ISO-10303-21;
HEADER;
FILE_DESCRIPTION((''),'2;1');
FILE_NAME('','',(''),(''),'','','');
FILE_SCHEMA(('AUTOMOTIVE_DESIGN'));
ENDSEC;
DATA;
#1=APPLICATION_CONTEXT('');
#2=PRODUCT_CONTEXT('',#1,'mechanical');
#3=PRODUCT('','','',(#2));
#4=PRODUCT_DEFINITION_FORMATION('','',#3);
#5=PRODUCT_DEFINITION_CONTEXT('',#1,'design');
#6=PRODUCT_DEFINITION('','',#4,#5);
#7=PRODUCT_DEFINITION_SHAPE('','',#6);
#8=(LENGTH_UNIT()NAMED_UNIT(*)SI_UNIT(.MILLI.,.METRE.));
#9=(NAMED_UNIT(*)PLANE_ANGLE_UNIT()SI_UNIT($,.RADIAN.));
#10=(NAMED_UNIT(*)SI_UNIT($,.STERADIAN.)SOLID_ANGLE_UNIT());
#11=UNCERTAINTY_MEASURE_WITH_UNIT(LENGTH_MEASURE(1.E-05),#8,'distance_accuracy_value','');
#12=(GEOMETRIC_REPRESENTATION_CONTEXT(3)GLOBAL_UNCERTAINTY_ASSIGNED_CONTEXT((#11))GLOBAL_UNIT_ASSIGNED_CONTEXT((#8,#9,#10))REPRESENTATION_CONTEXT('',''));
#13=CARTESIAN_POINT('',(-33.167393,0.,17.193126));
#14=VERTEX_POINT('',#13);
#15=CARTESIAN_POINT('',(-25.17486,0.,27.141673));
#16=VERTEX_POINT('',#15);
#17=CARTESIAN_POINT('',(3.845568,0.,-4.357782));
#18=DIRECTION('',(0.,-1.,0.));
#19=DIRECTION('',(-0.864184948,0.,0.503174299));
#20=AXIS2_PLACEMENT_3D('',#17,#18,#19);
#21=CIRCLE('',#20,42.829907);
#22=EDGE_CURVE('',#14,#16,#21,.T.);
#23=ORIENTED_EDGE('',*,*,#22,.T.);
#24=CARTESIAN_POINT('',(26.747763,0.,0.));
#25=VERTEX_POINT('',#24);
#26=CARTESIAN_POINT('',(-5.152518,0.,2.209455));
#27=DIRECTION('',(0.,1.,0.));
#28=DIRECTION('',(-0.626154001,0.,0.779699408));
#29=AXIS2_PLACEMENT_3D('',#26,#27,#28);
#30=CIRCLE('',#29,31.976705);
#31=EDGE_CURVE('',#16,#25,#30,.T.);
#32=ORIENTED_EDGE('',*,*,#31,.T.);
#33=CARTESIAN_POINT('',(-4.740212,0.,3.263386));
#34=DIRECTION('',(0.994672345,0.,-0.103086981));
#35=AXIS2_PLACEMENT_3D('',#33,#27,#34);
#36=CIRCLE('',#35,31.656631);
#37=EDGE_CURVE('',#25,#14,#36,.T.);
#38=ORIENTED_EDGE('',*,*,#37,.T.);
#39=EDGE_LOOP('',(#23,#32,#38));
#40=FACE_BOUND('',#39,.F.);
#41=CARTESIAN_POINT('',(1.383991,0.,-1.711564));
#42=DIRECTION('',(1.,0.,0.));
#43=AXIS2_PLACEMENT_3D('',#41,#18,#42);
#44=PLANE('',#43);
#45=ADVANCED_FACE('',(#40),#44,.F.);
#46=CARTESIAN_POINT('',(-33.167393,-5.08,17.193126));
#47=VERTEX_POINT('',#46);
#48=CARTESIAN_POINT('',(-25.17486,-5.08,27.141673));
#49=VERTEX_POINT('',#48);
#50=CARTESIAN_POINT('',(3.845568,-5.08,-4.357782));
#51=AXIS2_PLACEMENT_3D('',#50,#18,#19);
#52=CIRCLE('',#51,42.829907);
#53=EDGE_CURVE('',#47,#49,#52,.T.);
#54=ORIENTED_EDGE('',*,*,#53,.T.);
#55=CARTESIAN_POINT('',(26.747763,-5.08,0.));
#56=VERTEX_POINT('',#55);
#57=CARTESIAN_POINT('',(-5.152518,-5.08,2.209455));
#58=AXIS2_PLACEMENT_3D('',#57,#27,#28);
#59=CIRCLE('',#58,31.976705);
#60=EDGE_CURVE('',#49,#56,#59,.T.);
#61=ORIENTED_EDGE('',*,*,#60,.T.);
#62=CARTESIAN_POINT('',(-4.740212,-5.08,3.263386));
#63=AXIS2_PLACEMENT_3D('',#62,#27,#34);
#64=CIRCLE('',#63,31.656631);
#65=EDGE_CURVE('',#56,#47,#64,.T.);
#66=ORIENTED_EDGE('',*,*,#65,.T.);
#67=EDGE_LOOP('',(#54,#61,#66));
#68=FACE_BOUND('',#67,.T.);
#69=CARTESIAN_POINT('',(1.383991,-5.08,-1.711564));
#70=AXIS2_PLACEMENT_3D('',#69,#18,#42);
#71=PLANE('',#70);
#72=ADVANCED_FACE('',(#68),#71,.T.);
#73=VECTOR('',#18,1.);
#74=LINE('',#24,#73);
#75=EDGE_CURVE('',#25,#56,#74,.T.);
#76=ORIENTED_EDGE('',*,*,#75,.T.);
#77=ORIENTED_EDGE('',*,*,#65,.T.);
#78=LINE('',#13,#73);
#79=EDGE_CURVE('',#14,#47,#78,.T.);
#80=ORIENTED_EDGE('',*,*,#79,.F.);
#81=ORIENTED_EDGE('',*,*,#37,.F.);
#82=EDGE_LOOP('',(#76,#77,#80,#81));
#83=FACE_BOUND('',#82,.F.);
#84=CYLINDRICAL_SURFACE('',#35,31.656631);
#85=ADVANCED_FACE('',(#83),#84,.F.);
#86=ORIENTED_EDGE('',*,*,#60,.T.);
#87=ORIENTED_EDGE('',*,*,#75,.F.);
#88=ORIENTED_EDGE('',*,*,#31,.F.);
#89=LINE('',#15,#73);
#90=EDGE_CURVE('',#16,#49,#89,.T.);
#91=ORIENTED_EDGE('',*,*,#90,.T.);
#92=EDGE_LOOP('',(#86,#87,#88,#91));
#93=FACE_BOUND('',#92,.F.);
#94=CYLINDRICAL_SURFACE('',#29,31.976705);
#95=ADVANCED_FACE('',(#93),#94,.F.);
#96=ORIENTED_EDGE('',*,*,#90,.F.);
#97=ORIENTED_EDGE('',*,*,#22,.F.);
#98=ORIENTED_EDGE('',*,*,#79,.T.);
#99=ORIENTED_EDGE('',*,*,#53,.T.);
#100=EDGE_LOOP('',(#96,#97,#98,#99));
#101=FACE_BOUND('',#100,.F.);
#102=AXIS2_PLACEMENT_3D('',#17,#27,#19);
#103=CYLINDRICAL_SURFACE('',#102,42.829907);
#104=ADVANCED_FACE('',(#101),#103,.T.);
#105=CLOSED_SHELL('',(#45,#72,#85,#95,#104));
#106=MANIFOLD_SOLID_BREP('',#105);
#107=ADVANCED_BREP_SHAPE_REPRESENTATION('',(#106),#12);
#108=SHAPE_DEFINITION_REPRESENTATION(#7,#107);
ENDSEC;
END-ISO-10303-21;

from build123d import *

# Parameters (mm, degrees)
F1_DEPTH = 5.08


with BuildPart() as f1:
    # F0 (on Front) → F1 (new body)
    with BuildSketch(Plane.XZ):
        with BuildLine():
            ThreePointArc((26.747763, 0), (-13.471937, -27.165206), (-33.167393, 17.193126))
            ThreePointArc((-33.167393, 17.193126), (37.234869, -31.182313), (-25.17486, 27.141673))
            ThreePointArc((-25.17486, 27.141673), (9.660954, 30.547957), (26.747763, 0))
        make_face()
    extrude(amount=F1_DEPTH)


solid = f1.part
